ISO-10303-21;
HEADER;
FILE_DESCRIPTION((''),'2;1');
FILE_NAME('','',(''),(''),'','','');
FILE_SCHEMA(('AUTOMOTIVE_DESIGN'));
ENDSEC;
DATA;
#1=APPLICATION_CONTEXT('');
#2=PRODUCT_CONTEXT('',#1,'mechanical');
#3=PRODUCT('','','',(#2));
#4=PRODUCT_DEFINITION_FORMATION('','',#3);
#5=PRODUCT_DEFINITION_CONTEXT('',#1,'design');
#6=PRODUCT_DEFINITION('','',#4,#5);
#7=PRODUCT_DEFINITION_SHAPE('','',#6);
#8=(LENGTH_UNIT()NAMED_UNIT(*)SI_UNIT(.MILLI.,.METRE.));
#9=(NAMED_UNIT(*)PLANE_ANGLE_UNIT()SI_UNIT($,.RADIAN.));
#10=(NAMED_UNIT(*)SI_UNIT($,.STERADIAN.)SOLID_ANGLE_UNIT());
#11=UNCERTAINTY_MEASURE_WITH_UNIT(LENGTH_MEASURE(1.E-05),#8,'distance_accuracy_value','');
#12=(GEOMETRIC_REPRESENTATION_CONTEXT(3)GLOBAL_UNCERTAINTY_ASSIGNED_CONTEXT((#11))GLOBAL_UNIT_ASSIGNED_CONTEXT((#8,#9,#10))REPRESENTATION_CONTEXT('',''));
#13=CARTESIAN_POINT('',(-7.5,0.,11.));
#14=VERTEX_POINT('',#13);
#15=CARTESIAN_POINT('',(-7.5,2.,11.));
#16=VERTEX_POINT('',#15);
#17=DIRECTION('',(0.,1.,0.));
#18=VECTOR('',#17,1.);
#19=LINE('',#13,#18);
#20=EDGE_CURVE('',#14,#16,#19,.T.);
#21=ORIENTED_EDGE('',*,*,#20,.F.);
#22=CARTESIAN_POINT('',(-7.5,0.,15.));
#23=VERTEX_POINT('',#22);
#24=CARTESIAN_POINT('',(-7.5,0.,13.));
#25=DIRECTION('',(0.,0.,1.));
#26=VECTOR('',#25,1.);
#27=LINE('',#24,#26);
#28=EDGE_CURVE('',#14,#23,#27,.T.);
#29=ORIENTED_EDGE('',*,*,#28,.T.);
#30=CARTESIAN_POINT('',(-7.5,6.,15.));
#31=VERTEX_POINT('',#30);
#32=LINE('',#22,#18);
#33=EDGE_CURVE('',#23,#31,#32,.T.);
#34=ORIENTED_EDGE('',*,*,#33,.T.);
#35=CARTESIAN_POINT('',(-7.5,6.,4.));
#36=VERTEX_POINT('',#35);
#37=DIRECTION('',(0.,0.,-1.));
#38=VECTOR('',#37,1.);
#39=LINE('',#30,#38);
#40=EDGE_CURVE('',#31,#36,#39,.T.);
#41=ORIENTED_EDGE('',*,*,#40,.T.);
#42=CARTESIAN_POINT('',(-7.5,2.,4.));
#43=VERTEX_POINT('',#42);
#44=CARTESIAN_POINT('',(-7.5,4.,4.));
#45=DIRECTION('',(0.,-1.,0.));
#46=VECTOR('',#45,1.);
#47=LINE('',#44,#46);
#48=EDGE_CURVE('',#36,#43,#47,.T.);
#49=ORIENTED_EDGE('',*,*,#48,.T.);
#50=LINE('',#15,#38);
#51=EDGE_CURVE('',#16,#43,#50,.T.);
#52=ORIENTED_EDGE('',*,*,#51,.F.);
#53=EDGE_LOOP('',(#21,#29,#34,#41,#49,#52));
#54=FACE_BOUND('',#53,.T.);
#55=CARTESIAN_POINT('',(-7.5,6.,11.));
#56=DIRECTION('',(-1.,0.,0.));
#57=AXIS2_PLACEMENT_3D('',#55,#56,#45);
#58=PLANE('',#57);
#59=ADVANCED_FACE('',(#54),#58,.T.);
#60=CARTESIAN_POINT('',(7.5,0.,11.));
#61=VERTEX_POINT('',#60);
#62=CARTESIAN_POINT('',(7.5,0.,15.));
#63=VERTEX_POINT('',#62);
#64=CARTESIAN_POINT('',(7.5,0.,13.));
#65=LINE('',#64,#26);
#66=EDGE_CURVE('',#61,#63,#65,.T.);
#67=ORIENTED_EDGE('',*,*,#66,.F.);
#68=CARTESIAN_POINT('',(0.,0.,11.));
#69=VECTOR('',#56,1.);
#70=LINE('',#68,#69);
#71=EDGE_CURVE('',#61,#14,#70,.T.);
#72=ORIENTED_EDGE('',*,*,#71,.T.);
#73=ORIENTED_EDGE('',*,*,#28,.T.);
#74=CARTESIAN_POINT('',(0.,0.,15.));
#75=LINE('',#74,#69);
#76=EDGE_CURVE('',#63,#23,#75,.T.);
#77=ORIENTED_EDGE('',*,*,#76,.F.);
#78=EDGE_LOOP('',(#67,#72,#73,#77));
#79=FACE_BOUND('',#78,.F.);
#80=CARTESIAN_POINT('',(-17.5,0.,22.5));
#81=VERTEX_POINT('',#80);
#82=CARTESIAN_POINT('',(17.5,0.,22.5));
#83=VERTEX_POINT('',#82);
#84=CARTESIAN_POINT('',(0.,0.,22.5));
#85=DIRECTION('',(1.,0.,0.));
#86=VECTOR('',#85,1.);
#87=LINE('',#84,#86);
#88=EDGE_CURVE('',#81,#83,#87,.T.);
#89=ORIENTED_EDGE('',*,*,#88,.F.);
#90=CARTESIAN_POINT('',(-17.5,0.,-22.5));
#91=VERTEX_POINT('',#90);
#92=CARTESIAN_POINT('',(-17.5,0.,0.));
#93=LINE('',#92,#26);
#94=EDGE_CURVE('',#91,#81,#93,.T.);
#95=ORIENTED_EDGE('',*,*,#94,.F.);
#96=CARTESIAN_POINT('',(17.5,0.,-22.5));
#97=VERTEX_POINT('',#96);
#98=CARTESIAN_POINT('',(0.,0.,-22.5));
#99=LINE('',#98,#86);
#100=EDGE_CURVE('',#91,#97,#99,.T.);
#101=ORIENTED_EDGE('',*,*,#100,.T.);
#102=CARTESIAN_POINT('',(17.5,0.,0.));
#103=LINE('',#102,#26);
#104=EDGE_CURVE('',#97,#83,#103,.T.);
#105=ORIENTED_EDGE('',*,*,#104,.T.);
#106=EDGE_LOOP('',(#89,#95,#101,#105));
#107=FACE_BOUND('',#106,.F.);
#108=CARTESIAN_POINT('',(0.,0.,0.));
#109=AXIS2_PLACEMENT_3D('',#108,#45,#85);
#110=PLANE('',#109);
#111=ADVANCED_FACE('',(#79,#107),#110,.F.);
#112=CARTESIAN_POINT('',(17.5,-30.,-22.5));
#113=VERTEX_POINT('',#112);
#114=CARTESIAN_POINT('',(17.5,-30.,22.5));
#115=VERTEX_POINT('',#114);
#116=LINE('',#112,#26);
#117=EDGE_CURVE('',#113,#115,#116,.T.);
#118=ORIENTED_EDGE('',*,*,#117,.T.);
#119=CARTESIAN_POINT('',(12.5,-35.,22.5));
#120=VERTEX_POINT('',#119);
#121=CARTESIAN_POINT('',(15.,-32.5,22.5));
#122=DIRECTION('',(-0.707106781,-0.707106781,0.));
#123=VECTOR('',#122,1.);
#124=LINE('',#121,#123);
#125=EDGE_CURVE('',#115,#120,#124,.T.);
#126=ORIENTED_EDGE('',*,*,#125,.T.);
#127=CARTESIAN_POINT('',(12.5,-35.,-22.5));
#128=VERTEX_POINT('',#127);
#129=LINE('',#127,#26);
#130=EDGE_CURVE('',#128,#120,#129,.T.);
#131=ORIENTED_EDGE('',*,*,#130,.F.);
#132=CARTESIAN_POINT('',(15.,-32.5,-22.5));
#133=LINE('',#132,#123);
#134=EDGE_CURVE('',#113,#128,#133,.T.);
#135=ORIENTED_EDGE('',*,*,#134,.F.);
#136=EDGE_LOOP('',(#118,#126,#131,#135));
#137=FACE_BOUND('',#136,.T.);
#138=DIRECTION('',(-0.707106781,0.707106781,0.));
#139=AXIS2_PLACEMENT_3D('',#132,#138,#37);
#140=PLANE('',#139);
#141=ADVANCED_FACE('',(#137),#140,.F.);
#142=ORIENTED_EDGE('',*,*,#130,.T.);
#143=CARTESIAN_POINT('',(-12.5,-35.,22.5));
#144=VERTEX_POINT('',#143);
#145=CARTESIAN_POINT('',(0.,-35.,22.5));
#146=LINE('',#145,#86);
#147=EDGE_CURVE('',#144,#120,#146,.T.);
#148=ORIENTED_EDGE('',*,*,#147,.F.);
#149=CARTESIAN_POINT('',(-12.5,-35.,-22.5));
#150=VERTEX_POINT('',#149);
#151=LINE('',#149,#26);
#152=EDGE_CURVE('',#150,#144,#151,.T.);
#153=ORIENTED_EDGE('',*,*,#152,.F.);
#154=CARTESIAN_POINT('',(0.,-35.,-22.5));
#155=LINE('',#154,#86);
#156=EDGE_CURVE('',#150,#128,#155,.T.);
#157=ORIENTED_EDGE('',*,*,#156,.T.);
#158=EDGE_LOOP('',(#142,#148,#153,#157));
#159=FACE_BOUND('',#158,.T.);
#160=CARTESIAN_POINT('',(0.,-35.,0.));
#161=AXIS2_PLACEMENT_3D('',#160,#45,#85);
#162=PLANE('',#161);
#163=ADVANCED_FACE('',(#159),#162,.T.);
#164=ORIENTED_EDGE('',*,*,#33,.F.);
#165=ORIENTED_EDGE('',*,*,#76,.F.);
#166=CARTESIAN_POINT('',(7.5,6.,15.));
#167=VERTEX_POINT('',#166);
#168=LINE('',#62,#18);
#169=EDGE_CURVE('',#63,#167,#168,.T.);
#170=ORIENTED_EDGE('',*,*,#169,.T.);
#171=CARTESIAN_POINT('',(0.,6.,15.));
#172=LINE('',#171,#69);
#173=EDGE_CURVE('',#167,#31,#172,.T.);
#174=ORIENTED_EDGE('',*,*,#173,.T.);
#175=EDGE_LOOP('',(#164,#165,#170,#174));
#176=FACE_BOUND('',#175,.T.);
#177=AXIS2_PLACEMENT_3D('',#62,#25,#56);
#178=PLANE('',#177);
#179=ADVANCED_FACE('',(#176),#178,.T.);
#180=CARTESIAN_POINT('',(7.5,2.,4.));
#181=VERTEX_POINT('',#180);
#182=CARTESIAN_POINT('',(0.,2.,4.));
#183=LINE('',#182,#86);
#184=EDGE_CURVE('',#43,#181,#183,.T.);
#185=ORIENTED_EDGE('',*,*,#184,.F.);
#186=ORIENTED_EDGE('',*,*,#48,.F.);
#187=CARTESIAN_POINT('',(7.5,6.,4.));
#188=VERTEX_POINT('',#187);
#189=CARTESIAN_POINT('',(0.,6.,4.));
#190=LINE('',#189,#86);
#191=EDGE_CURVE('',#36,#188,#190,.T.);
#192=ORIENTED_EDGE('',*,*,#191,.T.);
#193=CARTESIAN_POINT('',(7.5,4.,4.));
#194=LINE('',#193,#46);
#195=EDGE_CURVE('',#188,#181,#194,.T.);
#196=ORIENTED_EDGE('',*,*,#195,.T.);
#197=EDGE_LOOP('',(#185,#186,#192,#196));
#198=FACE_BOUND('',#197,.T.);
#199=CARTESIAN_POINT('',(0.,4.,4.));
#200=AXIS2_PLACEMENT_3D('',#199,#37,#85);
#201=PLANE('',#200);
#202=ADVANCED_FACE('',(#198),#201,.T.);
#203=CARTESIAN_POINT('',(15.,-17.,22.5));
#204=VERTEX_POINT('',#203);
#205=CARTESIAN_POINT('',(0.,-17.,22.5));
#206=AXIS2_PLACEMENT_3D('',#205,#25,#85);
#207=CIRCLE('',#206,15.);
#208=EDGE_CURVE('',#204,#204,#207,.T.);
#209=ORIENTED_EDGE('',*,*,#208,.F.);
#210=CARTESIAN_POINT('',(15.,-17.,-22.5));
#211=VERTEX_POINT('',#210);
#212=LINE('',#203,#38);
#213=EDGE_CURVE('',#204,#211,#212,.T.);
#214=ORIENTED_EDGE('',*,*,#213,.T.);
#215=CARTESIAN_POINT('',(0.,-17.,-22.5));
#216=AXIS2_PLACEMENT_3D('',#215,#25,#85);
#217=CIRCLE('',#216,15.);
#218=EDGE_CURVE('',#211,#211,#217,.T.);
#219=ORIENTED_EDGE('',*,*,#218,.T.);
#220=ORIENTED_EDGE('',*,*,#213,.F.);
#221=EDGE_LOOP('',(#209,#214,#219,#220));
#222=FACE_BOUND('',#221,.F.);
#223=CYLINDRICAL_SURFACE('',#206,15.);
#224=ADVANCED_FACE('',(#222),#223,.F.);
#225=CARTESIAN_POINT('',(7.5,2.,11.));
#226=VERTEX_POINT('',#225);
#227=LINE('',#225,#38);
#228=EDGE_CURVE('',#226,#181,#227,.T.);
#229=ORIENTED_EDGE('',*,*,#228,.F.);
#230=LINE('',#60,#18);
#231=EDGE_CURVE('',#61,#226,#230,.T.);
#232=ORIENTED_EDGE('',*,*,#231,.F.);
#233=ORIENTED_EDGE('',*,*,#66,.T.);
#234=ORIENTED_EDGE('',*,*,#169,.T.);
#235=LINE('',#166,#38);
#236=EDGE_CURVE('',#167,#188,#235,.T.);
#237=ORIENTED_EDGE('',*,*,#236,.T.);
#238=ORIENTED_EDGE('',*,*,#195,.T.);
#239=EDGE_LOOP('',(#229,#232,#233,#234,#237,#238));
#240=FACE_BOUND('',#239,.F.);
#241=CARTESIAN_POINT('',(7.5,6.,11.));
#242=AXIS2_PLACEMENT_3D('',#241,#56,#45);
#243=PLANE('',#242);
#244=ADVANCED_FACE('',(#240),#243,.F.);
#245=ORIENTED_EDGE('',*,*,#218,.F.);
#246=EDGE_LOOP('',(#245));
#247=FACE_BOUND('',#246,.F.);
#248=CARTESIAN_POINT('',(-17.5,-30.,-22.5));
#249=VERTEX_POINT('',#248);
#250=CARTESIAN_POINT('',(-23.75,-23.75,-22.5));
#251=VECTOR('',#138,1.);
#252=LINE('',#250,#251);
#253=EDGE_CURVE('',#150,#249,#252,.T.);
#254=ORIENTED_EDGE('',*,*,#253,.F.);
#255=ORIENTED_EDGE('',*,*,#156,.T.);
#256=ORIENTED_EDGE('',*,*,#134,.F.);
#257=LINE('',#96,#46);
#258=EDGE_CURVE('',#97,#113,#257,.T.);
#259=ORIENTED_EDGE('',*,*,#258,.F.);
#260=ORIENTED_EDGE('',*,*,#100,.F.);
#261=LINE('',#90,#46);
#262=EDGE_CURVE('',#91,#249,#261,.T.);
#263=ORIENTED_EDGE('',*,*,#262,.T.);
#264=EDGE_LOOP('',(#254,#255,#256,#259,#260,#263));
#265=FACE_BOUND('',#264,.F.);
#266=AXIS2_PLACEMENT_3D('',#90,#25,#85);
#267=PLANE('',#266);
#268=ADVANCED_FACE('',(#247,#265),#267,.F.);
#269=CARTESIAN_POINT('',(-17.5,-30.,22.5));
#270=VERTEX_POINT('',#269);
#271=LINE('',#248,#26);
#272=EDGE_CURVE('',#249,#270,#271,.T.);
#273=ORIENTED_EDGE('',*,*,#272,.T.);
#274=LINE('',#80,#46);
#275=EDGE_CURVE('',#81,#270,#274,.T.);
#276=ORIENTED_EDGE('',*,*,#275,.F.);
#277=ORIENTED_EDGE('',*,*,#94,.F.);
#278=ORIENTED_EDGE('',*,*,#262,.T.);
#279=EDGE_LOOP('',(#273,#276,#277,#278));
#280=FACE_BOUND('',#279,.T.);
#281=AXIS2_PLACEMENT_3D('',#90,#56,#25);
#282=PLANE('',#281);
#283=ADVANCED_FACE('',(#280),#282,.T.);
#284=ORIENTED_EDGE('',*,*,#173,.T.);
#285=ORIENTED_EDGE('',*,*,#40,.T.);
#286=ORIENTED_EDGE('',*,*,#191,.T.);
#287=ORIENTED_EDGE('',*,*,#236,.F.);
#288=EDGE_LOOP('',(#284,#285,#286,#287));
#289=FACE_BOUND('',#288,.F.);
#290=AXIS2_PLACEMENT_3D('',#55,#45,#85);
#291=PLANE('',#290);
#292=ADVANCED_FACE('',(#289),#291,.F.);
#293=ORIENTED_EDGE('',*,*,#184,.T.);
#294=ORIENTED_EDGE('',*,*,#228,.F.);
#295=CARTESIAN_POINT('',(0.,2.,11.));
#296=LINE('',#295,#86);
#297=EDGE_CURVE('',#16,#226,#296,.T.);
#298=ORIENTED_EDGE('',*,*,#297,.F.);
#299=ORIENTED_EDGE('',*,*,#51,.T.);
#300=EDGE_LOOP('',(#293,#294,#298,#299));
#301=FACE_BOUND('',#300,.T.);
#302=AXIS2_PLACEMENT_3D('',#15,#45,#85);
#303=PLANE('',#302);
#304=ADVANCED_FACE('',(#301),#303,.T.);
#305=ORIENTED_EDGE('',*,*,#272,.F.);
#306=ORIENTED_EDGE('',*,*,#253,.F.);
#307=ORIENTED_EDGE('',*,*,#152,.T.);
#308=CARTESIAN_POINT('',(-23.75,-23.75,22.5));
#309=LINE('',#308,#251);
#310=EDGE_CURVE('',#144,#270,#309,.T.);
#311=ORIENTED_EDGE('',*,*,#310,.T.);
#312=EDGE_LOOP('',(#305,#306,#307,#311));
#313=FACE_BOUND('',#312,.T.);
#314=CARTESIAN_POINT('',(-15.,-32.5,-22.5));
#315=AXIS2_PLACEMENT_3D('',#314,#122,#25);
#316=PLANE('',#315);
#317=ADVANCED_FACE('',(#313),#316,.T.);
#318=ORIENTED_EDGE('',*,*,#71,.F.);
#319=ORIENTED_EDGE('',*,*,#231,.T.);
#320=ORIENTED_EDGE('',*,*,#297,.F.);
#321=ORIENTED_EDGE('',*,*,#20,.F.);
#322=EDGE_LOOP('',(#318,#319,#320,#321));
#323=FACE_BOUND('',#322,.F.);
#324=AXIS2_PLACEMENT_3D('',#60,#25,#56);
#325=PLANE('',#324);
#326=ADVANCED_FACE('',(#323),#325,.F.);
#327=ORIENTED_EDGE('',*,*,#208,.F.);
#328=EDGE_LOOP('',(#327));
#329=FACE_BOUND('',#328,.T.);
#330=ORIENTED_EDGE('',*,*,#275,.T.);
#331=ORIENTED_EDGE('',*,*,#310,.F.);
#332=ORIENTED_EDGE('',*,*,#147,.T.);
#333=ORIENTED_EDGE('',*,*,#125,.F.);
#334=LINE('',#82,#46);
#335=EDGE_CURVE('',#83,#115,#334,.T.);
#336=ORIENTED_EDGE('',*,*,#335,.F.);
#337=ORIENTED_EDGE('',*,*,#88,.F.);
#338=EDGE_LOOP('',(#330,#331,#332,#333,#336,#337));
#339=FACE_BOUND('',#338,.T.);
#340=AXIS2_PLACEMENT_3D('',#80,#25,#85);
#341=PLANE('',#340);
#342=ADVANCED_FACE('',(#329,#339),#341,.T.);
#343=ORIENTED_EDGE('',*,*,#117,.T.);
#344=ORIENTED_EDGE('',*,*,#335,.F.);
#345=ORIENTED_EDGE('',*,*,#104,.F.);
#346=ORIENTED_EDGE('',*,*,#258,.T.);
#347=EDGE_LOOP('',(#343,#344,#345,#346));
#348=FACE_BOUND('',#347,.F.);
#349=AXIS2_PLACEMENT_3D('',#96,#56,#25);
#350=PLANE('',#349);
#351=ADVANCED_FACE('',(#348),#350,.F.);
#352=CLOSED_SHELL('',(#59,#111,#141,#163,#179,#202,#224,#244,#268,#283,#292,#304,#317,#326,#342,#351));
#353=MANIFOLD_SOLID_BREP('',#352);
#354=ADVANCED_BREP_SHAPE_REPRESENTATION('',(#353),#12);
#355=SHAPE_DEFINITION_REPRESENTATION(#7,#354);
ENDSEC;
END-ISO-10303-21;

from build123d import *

# Parameters (mm, degrees)
F0_W     = 35
F0_H     = 45
F1_DEPTH = 35
F2_W     = 15
F2_H     = 4
F3_DEPTH = 6
F4_W     = 15
F4_H     = 4
F5_DEPTH = 7
F6_SIZE  = 5
F7_R     = 15
F8_DEPTH = 45.001


with BuildPart() as f1:
    # F0 (on Front) → F1 (new body)
    with BuildSketch(Plane.XZ):
        Rectangle(F0_W, F0_H)
    extrude(amount=F1_DEPTH)

    # F2 (on face) → F3 (join)
    with BuildSketch(Plane(origin=(0, 0, 0), x_dir=(-1, 0, 0), z_dir=(0, 1, 0))):
        with Locations((0, 13)):
            Rectangle(F2_W, F2_H)
    extrude(amount=F3_DEPTH)

    # F4 (on face) → F5 (join)
    with BuildSketch(Plane(origin=(0, 0, 11), x_dir=(1, 0, 0), z_dir=(0, 0, -1))):
        with Locations((0, -4)):
            Rectangle(F4_W, F4_H)
    extrude(amount=F5_DEPTH)

    # F6
    f6_edges = [f1.edges().sort_by_distance(p)[0] for p in [
        (-17.5, -35, 0),
        (17.5, -35, 0),
    ]]
    chamfer(f6_edges, length=F6_SIZE)

    # F7 (on face) → F8 (cut, through all)
    with BuildSketch(Plane.XY.offset(22.5)):
        with Locations((0, -17)):
            Circle(F7_R)
    extrude(amount=-F8_DEPTH, mode=Mode.SUBTRACT)


solid = f1.part
